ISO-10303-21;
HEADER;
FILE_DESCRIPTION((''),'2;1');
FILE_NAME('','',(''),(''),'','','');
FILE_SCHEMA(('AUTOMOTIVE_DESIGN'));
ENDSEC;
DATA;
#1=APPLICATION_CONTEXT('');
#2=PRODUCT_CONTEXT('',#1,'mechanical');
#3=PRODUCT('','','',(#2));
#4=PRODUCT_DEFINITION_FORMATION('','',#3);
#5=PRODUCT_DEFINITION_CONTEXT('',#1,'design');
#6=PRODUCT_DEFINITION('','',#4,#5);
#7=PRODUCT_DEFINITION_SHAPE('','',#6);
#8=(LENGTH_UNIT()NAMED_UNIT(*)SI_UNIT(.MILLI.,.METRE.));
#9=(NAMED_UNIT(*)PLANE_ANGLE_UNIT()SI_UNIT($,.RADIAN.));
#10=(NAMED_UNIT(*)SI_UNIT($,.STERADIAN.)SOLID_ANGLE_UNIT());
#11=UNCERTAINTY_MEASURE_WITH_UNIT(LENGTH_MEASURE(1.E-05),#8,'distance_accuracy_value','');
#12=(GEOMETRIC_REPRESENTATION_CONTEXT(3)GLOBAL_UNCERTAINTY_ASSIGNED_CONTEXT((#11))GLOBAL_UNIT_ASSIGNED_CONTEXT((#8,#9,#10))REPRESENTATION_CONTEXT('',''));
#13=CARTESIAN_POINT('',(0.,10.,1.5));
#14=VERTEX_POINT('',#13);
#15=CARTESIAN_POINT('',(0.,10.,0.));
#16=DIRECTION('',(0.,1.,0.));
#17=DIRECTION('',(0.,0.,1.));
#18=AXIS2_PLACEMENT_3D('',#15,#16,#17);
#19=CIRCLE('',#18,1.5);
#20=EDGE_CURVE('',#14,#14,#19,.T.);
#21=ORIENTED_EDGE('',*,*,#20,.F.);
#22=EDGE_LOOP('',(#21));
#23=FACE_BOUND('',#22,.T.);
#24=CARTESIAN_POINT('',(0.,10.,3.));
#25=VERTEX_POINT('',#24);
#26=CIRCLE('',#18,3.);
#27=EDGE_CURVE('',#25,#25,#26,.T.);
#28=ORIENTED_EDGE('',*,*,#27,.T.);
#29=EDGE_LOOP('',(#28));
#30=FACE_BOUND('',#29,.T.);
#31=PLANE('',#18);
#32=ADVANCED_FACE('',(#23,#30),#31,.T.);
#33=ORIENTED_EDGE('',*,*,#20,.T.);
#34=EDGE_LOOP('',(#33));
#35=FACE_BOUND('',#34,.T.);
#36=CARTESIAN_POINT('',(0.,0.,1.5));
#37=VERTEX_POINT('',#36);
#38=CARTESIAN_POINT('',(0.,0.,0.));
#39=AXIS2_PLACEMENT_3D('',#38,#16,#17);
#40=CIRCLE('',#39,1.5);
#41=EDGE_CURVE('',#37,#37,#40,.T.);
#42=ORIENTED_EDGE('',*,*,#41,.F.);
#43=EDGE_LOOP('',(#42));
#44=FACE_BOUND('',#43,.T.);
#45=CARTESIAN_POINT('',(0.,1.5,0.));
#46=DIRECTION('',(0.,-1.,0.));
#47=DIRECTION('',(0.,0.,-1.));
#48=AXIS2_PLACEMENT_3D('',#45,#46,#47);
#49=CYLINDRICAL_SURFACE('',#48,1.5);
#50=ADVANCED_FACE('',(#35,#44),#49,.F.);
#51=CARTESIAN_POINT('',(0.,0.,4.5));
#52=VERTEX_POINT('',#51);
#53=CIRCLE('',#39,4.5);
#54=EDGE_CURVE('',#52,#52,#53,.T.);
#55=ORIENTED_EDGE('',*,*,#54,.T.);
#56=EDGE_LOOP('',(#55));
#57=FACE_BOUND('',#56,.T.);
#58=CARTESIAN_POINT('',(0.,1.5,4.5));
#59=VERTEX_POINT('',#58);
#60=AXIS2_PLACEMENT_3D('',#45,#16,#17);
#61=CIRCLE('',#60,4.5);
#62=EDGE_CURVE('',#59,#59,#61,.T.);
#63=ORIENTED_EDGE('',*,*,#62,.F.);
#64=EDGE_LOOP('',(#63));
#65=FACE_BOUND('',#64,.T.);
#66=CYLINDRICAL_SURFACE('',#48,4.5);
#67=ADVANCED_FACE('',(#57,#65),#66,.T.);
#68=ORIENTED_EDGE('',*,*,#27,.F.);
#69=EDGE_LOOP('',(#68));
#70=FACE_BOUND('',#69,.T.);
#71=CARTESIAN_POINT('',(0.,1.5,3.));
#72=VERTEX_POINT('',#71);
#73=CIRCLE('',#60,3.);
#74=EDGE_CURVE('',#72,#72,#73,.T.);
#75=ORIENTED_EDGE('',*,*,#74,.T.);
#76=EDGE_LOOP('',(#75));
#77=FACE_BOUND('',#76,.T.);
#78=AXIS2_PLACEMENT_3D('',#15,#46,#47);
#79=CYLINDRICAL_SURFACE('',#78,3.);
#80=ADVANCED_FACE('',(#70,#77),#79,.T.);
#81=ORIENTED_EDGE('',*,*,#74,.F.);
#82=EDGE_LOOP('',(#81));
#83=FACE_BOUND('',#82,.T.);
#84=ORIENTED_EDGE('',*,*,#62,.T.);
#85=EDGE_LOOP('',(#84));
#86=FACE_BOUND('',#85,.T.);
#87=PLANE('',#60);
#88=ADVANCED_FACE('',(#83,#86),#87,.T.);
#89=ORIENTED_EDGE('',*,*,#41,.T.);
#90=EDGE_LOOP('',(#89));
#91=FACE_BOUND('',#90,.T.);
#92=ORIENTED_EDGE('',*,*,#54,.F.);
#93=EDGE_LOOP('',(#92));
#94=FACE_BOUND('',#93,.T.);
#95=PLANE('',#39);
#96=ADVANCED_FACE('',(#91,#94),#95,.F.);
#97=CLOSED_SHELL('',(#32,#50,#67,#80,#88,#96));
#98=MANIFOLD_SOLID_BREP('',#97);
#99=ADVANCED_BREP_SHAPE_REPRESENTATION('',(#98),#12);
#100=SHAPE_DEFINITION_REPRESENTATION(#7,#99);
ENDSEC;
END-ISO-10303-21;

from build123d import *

# Parameters (mm, degrees)
CROQUIS1_R              = 4.5
CROQUIS1_R_2            = 1.5
SALIENTE_EXTRUIR1_DEPTH = 1.5
CROQUIS2_R              = 3
CROQUIS2_R_2            = 1.5
SALIENTE_EXTRUIR2_DEPTH = 8.5


with BuildPart() as part:
    # Croquis1 → Saliente-Extruir1 (new body)
    with BuildSketch(Plane(origin=(0, 0, 0), x_dir=(1, 0, 0), z_dir=(0, 1, 0))):
        with Locations(Location((0, 0, 0), (0, 0, 270))):
            Circle(CROQUIS1_R)
        with Locations(Location((0, 0, 0), (0, 0, 270))):
            Circle(CROQUIS1_R_2, mode=Mode.SUBTRACT)
    extrude(amount=SALIENTE_EXTRUIR1_DEPTH)

    # Croquis2 → Saliente-Extruir2 (add)
    with BuildSketch(Plane(origin=(0, 1.5, 0), x_dir=(1, 0, 0), z_dir=(0, 1, 0))):
        with Locations(Location((0, 0, 0), (0, 0, 270))):
            Circle(CROQUIS2_R)
        with Locations(Location((0, 0, 0), (0, 0, 270))):
            Circle(CROQUIS2_R_2, mode=Mode.SUBTRACT)
    extrude(amount=SALIENTE_EXTRUIR2_DEPTH)


solid = part.part
